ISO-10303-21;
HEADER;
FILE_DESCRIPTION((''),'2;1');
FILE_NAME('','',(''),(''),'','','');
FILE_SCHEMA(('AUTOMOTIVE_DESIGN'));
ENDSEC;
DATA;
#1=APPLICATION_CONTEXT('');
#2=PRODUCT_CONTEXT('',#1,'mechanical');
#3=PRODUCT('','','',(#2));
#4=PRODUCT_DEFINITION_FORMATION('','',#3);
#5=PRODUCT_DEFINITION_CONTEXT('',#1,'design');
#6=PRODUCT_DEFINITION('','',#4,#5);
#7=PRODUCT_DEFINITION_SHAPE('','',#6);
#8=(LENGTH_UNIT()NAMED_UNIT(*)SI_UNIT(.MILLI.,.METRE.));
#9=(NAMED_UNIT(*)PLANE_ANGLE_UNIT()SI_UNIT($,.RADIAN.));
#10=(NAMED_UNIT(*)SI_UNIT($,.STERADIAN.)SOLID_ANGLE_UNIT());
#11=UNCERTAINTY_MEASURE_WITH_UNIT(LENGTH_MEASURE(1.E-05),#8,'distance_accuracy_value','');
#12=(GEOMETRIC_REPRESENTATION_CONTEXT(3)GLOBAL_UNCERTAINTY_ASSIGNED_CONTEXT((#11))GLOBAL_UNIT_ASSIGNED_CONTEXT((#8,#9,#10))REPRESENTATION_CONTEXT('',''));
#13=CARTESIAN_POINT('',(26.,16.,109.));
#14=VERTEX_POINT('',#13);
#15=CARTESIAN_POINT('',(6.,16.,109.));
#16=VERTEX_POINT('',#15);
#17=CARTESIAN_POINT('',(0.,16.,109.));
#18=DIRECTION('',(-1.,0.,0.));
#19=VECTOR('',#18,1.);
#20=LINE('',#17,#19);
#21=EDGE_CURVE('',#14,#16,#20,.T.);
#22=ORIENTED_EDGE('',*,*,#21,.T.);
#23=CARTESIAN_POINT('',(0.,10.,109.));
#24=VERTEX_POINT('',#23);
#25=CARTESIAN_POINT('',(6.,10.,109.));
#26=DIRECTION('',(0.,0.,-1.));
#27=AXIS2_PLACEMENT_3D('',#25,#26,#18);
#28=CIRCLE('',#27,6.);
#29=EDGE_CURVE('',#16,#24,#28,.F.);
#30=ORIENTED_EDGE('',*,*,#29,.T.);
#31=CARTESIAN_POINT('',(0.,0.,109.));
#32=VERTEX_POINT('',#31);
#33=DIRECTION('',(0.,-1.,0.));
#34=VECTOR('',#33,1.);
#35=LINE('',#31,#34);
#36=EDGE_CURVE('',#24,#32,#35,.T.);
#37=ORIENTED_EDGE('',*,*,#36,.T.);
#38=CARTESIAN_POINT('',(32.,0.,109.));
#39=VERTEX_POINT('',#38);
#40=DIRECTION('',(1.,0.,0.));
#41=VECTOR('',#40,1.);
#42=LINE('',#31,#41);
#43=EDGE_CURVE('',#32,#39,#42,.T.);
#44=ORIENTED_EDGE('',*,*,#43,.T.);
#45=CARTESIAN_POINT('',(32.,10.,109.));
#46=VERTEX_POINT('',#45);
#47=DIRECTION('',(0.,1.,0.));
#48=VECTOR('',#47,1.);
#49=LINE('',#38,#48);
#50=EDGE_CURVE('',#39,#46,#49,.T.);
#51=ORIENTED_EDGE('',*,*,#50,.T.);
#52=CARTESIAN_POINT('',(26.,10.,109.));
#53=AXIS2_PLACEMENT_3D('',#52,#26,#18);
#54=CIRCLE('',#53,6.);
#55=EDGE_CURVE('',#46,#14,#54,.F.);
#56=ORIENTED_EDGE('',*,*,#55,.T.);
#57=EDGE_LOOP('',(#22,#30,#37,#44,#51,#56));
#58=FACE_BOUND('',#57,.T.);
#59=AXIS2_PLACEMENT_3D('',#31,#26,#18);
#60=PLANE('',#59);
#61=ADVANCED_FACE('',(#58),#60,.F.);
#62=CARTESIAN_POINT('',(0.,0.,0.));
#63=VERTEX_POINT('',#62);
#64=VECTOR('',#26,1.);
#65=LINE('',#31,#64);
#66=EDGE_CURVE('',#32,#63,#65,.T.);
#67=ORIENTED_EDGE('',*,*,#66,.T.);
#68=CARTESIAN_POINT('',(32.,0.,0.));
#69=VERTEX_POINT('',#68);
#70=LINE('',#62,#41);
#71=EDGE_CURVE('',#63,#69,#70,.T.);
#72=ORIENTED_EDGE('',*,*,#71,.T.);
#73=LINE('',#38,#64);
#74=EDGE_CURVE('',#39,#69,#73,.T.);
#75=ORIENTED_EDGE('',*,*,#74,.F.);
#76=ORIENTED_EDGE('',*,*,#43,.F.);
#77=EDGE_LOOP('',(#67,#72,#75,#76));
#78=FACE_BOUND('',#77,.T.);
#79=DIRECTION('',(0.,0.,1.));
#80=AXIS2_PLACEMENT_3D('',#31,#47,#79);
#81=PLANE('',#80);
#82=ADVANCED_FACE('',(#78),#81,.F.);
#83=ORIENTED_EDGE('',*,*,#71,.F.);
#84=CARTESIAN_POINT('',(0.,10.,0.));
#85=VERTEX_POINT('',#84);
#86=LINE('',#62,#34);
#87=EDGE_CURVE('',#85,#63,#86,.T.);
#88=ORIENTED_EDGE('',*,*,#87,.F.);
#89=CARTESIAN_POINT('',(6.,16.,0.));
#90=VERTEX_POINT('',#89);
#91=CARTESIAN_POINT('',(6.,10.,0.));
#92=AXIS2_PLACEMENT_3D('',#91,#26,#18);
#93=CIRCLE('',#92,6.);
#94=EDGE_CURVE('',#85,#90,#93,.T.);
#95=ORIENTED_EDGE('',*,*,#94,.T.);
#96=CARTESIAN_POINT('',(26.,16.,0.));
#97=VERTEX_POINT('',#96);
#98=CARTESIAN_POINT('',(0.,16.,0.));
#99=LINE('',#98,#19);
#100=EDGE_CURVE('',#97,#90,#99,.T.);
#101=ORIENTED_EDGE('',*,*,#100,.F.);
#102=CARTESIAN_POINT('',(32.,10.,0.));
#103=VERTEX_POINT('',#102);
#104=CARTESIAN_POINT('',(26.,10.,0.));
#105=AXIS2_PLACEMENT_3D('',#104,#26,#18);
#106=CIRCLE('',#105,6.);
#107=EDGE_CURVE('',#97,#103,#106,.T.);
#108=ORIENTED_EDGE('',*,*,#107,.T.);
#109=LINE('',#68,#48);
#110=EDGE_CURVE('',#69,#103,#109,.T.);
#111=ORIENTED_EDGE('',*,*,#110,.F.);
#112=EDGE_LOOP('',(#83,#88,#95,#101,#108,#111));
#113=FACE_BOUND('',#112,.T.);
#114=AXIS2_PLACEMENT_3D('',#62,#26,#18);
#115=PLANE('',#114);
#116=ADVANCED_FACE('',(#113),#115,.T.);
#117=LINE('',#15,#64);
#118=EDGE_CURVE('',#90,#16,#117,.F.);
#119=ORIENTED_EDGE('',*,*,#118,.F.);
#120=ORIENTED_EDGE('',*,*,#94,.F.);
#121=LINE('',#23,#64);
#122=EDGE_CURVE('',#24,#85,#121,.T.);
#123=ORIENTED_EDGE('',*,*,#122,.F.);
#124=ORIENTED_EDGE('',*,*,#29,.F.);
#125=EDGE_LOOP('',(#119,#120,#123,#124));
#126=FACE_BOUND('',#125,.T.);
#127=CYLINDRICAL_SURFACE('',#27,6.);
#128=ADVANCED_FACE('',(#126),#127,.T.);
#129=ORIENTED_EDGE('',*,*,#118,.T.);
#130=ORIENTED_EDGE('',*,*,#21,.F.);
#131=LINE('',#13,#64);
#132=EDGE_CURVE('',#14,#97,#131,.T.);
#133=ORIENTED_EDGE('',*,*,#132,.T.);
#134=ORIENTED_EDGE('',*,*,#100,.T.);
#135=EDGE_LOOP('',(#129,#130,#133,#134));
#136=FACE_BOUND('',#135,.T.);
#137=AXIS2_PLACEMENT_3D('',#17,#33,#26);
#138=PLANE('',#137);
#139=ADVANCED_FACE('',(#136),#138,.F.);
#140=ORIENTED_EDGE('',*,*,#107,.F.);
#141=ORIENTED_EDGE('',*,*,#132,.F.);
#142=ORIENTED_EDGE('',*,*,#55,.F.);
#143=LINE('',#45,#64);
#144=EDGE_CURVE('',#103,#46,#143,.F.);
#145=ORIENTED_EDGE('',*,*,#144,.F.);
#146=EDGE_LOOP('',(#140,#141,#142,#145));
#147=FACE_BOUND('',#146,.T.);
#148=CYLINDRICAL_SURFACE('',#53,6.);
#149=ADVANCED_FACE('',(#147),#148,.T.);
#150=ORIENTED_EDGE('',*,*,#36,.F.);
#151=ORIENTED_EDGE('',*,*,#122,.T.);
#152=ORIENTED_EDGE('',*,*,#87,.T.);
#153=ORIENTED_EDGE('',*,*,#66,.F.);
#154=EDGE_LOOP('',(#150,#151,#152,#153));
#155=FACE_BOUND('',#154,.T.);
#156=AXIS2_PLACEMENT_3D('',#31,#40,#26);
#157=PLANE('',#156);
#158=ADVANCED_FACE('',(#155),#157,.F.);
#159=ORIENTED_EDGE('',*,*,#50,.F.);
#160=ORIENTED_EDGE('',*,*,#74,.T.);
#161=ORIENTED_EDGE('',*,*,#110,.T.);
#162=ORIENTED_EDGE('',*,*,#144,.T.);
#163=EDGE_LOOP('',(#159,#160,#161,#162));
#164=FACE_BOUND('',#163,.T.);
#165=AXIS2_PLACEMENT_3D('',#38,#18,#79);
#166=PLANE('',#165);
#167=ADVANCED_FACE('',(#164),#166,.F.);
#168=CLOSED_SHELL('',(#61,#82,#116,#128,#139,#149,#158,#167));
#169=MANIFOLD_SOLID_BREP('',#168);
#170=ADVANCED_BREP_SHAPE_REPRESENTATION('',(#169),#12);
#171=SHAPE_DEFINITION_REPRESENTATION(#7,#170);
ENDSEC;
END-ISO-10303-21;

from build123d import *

# Parameters (mm, degrees)
SKETCH_1_W      = 32
SKETCH_1_H      = 16
EXTRUDE_1_DEPTH = 109
FILLET_1_R      = 6


with BuildPart() as part:
    # Эскиз1 → Бобышка-Вытянуть1 (new body)
    with BuildSketch(Plane.XY):
        with Locations((16, 8)):
            Rectangle(SKETCH_1_W, SKETCH_1_H)
    extrude(amount=EXTRUDE_1_DEPTH)

    # Скругление1
    fillet_1_edges = [part.edges().sort_by_distance(p)[0] for p in [
        (0, 16, 54.5),
        (32, 16, 54.5),
    ]]
    fillet(fillet_1_edges, radius=FILLET_1_R)


solid = part.part
